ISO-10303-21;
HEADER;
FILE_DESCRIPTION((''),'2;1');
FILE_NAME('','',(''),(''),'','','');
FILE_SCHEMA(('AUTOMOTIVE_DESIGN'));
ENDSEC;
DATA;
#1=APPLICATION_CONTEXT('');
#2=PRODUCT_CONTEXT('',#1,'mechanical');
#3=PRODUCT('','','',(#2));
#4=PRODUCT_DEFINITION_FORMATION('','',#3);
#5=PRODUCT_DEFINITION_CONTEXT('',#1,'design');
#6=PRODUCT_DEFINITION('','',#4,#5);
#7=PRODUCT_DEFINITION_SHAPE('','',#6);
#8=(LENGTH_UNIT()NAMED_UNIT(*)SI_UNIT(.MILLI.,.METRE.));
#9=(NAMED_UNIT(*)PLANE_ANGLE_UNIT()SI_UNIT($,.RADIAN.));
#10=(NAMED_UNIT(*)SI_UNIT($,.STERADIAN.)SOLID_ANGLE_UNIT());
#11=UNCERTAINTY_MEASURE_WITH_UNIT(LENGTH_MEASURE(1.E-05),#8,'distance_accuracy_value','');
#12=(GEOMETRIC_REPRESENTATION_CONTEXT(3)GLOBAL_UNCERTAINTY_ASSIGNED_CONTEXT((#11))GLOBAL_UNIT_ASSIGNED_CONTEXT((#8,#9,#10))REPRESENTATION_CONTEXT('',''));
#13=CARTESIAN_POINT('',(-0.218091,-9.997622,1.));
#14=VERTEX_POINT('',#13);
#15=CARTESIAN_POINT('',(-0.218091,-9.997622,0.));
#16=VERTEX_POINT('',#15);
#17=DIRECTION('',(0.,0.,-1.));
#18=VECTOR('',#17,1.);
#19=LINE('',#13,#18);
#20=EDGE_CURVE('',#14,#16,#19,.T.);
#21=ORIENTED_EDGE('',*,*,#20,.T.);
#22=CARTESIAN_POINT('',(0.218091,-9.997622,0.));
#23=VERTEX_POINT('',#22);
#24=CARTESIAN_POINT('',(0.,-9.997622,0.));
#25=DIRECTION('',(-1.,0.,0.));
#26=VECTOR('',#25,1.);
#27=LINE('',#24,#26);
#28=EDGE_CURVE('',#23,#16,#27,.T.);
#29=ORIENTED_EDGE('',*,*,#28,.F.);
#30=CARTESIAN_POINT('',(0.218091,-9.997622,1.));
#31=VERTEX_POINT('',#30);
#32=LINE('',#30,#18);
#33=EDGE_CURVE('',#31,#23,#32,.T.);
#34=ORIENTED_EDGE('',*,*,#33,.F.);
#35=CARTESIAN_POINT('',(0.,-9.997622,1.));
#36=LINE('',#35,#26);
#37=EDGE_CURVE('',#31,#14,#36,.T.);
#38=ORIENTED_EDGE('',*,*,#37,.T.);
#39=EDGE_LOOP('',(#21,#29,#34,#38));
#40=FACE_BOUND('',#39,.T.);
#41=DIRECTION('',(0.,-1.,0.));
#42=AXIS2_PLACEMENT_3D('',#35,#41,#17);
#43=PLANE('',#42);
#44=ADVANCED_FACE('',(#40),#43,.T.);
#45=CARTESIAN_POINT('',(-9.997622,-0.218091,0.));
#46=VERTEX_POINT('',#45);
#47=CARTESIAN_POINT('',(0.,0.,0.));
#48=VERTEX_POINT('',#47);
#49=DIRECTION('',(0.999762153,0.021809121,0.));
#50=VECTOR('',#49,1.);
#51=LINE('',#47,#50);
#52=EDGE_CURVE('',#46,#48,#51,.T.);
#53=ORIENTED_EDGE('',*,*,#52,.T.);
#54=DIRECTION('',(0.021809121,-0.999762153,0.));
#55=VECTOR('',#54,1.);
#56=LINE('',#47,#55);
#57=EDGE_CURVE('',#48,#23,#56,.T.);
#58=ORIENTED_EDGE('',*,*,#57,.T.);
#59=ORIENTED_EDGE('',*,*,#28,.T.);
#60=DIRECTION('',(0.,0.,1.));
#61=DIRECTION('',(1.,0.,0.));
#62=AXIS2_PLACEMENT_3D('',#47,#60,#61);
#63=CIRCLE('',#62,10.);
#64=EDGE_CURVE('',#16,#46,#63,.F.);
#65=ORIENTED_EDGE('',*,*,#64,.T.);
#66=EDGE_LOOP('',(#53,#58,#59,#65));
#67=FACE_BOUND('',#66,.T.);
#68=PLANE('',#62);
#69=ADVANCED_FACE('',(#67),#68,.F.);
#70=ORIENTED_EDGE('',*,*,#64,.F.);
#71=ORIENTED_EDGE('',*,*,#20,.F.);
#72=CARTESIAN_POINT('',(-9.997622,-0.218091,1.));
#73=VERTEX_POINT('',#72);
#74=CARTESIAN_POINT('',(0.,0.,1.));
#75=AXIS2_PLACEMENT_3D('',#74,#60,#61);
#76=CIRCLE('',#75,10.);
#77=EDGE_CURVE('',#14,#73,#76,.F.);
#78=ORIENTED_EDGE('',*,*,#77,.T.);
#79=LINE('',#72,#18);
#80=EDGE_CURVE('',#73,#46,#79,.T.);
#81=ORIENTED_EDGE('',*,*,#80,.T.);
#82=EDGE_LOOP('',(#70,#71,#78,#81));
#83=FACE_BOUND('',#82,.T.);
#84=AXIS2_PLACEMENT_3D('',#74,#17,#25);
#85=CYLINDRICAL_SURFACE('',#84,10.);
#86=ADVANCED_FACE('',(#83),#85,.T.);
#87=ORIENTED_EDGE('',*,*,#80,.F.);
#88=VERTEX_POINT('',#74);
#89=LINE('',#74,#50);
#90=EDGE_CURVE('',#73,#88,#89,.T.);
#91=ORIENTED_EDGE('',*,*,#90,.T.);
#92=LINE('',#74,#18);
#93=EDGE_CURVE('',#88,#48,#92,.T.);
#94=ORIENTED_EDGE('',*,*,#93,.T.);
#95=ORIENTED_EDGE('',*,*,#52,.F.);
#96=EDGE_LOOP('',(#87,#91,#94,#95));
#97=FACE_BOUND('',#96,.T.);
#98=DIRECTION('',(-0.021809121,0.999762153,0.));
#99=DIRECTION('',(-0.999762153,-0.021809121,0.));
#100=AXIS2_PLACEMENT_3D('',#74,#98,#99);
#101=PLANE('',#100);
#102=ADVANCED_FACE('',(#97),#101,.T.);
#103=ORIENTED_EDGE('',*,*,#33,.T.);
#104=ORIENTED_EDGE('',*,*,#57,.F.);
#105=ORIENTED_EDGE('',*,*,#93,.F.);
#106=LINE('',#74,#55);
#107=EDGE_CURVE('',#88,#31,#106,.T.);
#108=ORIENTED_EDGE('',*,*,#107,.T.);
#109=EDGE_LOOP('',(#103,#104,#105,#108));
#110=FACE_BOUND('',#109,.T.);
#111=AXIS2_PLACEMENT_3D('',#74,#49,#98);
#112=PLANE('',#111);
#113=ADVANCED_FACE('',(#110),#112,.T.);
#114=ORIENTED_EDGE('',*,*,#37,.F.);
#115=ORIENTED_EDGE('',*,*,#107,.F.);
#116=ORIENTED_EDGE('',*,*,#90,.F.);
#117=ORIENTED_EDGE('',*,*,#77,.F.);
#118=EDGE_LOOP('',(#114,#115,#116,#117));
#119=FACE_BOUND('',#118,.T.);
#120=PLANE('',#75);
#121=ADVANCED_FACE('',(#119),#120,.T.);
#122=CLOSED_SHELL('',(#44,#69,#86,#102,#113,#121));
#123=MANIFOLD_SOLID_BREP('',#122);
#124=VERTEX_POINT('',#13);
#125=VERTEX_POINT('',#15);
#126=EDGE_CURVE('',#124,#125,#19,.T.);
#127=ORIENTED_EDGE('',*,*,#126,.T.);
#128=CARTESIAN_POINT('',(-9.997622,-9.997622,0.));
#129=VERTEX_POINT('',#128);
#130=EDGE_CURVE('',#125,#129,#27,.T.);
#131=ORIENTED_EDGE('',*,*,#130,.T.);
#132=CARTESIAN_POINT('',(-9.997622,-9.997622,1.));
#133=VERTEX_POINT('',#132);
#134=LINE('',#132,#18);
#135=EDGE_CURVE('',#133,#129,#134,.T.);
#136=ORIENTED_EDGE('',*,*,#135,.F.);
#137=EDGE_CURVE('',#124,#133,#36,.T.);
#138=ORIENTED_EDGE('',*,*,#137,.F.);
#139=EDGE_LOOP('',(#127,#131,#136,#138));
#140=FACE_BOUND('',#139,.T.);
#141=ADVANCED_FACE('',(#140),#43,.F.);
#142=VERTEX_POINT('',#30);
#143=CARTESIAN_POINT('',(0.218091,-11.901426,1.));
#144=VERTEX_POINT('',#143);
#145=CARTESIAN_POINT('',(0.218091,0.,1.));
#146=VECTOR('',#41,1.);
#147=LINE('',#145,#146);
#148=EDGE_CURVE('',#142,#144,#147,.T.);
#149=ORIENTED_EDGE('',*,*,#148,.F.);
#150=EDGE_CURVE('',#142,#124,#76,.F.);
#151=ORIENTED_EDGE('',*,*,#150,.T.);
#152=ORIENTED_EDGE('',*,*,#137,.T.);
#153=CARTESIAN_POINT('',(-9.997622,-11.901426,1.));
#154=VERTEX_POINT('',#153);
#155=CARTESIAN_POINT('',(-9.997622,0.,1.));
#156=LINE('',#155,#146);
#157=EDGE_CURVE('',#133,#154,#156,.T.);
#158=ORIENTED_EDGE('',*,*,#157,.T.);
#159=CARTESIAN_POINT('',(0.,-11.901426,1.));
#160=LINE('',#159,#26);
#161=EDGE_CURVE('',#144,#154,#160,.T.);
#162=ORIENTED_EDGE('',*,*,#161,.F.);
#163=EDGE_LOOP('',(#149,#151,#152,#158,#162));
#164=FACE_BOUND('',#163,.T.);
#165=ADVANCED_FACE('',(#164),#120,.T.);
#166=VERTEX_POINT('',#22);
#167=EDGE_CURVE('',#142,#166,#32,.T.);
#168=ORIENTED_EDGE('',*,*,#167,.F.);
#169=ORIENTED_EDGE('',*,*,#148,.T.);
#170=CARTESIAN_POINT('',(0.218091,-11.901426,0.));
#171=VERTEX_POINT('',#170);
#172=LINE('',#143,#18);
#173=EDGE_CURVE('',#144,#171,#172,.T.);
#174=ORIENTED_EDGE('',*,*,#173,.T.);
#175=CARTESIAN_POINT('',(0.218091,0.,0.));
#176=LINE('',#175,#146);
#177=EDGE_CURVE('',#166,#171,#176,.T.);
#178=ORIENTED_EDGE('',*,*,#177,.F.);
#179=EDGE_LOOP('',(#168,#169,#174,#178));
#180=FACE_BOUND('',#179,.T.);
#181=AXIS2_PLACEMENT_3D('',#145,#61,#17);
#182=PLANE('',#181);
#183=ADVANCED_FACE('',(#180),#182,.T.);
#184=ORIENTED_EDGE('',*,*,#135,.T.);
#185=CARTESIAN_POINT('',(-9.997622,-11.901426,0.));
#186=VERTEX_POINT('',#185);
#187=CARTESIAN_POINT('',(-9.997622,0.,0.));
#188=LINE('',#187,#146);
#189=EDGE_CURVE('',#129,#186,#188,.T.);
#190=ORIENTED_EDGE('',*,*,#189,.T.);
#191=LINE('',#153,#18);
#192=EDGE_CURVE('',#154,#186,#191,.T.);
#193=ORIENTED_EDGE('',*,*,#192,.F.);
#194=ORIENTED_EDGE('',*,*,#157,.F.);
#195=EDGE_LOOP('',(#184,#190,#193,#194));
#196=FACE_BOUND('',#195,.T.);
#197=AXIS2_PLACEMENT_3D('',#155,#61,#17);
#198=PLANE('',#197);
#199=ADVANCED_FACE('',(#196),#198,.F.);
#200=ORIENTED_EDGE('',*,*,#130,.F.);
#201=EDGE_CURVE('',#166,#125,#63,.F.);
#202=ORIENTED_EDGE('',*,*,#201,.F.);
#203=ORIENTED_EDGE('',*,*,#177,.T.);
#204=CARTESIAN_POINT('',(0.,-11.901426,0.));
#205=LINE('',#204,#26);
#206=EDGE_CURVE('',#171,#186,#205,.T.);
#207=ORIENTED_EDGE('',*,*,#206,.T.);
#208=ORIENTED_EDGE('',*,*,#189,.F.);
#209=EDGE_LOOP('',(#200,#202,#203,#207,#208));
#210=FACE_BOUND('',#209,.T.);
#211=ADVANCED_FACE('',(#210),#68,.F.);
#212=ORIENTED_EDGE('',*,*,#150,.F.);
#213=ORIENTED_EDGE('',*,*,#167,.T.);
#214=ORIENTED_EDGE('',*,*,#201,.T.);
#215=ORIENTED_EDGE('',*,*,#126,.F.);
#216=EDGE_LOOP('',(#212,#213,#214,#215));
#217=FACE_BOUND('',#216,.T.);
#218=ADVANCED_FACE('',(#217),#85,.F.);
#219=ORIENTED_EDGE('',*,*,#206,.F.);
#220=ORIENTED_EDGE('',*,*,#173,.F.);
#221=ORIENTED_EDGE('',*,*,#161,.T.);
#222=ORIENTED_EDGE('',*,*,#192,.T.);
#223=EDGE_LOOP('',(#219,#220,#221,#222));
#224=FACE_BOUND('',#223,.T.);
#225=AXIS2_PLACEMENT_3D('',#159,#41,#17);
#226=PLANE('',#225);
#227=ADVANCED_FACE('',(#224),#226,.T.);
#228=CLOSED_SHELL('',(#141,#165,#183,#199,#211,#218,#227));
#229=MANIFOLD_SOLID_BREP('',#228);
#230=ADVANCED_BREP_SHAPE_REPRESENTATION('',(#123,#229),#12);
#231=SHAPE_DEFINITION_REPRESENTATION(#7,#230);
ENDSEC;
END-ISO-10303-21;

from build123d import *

# Parameters (mm, degrees)
EXTRUDE_1_DEPTH   = 1
EXTRUDE_1_2_DEPTH = 1


with BuildPart() as part:
    # ｽｹｯﾁ1 → ﾎﾞｽ - 押し出し1 (new body)
    with BuildSketch(Plane.XY):
        with BuildLine():
            Line((0, 0), (-9.997621528, -0.218091207))
            ThreePointArc((-9.997621528, -0.218091207), (-7.071067812, -7.071067812), (-0.218091207, -9.997621528))
            Line((-0.218091207, -9.997621528), (0.218091207, -9.997621528))
            Line((0.218091207, -9.997621528), (0, 0))
        make_face()
    extrude(amount=EXTRUDE_1_DEPTH)


with BuildPart() as body_2:
    # ｽｹｯﾁ1 → Extrude 1 2 (new body)
    with BuildSketch(Plane.XY):
        with BuildLine():
            ThreePointArc((0.218091207, -9.997621528), (0, -10), (-0.218091207, -9.997621528))
            Line((-0.218091207, -9.997621528), (-9.997621528, -9.997621528))
            Line((-9.997621528, -9.997621528), (-9.997621528, -11.901425508))
            Line((-9.997621528, -11.901425508), (0.218091207, -11.901425508))
            Line((0.218091207, -11.901425508), (0.218091207, -9.997621528))
        make_face()
    extrude(amount=EXTRUDE_1_2_DEPTH)


solid = Compound([part.part, body_2.part])
